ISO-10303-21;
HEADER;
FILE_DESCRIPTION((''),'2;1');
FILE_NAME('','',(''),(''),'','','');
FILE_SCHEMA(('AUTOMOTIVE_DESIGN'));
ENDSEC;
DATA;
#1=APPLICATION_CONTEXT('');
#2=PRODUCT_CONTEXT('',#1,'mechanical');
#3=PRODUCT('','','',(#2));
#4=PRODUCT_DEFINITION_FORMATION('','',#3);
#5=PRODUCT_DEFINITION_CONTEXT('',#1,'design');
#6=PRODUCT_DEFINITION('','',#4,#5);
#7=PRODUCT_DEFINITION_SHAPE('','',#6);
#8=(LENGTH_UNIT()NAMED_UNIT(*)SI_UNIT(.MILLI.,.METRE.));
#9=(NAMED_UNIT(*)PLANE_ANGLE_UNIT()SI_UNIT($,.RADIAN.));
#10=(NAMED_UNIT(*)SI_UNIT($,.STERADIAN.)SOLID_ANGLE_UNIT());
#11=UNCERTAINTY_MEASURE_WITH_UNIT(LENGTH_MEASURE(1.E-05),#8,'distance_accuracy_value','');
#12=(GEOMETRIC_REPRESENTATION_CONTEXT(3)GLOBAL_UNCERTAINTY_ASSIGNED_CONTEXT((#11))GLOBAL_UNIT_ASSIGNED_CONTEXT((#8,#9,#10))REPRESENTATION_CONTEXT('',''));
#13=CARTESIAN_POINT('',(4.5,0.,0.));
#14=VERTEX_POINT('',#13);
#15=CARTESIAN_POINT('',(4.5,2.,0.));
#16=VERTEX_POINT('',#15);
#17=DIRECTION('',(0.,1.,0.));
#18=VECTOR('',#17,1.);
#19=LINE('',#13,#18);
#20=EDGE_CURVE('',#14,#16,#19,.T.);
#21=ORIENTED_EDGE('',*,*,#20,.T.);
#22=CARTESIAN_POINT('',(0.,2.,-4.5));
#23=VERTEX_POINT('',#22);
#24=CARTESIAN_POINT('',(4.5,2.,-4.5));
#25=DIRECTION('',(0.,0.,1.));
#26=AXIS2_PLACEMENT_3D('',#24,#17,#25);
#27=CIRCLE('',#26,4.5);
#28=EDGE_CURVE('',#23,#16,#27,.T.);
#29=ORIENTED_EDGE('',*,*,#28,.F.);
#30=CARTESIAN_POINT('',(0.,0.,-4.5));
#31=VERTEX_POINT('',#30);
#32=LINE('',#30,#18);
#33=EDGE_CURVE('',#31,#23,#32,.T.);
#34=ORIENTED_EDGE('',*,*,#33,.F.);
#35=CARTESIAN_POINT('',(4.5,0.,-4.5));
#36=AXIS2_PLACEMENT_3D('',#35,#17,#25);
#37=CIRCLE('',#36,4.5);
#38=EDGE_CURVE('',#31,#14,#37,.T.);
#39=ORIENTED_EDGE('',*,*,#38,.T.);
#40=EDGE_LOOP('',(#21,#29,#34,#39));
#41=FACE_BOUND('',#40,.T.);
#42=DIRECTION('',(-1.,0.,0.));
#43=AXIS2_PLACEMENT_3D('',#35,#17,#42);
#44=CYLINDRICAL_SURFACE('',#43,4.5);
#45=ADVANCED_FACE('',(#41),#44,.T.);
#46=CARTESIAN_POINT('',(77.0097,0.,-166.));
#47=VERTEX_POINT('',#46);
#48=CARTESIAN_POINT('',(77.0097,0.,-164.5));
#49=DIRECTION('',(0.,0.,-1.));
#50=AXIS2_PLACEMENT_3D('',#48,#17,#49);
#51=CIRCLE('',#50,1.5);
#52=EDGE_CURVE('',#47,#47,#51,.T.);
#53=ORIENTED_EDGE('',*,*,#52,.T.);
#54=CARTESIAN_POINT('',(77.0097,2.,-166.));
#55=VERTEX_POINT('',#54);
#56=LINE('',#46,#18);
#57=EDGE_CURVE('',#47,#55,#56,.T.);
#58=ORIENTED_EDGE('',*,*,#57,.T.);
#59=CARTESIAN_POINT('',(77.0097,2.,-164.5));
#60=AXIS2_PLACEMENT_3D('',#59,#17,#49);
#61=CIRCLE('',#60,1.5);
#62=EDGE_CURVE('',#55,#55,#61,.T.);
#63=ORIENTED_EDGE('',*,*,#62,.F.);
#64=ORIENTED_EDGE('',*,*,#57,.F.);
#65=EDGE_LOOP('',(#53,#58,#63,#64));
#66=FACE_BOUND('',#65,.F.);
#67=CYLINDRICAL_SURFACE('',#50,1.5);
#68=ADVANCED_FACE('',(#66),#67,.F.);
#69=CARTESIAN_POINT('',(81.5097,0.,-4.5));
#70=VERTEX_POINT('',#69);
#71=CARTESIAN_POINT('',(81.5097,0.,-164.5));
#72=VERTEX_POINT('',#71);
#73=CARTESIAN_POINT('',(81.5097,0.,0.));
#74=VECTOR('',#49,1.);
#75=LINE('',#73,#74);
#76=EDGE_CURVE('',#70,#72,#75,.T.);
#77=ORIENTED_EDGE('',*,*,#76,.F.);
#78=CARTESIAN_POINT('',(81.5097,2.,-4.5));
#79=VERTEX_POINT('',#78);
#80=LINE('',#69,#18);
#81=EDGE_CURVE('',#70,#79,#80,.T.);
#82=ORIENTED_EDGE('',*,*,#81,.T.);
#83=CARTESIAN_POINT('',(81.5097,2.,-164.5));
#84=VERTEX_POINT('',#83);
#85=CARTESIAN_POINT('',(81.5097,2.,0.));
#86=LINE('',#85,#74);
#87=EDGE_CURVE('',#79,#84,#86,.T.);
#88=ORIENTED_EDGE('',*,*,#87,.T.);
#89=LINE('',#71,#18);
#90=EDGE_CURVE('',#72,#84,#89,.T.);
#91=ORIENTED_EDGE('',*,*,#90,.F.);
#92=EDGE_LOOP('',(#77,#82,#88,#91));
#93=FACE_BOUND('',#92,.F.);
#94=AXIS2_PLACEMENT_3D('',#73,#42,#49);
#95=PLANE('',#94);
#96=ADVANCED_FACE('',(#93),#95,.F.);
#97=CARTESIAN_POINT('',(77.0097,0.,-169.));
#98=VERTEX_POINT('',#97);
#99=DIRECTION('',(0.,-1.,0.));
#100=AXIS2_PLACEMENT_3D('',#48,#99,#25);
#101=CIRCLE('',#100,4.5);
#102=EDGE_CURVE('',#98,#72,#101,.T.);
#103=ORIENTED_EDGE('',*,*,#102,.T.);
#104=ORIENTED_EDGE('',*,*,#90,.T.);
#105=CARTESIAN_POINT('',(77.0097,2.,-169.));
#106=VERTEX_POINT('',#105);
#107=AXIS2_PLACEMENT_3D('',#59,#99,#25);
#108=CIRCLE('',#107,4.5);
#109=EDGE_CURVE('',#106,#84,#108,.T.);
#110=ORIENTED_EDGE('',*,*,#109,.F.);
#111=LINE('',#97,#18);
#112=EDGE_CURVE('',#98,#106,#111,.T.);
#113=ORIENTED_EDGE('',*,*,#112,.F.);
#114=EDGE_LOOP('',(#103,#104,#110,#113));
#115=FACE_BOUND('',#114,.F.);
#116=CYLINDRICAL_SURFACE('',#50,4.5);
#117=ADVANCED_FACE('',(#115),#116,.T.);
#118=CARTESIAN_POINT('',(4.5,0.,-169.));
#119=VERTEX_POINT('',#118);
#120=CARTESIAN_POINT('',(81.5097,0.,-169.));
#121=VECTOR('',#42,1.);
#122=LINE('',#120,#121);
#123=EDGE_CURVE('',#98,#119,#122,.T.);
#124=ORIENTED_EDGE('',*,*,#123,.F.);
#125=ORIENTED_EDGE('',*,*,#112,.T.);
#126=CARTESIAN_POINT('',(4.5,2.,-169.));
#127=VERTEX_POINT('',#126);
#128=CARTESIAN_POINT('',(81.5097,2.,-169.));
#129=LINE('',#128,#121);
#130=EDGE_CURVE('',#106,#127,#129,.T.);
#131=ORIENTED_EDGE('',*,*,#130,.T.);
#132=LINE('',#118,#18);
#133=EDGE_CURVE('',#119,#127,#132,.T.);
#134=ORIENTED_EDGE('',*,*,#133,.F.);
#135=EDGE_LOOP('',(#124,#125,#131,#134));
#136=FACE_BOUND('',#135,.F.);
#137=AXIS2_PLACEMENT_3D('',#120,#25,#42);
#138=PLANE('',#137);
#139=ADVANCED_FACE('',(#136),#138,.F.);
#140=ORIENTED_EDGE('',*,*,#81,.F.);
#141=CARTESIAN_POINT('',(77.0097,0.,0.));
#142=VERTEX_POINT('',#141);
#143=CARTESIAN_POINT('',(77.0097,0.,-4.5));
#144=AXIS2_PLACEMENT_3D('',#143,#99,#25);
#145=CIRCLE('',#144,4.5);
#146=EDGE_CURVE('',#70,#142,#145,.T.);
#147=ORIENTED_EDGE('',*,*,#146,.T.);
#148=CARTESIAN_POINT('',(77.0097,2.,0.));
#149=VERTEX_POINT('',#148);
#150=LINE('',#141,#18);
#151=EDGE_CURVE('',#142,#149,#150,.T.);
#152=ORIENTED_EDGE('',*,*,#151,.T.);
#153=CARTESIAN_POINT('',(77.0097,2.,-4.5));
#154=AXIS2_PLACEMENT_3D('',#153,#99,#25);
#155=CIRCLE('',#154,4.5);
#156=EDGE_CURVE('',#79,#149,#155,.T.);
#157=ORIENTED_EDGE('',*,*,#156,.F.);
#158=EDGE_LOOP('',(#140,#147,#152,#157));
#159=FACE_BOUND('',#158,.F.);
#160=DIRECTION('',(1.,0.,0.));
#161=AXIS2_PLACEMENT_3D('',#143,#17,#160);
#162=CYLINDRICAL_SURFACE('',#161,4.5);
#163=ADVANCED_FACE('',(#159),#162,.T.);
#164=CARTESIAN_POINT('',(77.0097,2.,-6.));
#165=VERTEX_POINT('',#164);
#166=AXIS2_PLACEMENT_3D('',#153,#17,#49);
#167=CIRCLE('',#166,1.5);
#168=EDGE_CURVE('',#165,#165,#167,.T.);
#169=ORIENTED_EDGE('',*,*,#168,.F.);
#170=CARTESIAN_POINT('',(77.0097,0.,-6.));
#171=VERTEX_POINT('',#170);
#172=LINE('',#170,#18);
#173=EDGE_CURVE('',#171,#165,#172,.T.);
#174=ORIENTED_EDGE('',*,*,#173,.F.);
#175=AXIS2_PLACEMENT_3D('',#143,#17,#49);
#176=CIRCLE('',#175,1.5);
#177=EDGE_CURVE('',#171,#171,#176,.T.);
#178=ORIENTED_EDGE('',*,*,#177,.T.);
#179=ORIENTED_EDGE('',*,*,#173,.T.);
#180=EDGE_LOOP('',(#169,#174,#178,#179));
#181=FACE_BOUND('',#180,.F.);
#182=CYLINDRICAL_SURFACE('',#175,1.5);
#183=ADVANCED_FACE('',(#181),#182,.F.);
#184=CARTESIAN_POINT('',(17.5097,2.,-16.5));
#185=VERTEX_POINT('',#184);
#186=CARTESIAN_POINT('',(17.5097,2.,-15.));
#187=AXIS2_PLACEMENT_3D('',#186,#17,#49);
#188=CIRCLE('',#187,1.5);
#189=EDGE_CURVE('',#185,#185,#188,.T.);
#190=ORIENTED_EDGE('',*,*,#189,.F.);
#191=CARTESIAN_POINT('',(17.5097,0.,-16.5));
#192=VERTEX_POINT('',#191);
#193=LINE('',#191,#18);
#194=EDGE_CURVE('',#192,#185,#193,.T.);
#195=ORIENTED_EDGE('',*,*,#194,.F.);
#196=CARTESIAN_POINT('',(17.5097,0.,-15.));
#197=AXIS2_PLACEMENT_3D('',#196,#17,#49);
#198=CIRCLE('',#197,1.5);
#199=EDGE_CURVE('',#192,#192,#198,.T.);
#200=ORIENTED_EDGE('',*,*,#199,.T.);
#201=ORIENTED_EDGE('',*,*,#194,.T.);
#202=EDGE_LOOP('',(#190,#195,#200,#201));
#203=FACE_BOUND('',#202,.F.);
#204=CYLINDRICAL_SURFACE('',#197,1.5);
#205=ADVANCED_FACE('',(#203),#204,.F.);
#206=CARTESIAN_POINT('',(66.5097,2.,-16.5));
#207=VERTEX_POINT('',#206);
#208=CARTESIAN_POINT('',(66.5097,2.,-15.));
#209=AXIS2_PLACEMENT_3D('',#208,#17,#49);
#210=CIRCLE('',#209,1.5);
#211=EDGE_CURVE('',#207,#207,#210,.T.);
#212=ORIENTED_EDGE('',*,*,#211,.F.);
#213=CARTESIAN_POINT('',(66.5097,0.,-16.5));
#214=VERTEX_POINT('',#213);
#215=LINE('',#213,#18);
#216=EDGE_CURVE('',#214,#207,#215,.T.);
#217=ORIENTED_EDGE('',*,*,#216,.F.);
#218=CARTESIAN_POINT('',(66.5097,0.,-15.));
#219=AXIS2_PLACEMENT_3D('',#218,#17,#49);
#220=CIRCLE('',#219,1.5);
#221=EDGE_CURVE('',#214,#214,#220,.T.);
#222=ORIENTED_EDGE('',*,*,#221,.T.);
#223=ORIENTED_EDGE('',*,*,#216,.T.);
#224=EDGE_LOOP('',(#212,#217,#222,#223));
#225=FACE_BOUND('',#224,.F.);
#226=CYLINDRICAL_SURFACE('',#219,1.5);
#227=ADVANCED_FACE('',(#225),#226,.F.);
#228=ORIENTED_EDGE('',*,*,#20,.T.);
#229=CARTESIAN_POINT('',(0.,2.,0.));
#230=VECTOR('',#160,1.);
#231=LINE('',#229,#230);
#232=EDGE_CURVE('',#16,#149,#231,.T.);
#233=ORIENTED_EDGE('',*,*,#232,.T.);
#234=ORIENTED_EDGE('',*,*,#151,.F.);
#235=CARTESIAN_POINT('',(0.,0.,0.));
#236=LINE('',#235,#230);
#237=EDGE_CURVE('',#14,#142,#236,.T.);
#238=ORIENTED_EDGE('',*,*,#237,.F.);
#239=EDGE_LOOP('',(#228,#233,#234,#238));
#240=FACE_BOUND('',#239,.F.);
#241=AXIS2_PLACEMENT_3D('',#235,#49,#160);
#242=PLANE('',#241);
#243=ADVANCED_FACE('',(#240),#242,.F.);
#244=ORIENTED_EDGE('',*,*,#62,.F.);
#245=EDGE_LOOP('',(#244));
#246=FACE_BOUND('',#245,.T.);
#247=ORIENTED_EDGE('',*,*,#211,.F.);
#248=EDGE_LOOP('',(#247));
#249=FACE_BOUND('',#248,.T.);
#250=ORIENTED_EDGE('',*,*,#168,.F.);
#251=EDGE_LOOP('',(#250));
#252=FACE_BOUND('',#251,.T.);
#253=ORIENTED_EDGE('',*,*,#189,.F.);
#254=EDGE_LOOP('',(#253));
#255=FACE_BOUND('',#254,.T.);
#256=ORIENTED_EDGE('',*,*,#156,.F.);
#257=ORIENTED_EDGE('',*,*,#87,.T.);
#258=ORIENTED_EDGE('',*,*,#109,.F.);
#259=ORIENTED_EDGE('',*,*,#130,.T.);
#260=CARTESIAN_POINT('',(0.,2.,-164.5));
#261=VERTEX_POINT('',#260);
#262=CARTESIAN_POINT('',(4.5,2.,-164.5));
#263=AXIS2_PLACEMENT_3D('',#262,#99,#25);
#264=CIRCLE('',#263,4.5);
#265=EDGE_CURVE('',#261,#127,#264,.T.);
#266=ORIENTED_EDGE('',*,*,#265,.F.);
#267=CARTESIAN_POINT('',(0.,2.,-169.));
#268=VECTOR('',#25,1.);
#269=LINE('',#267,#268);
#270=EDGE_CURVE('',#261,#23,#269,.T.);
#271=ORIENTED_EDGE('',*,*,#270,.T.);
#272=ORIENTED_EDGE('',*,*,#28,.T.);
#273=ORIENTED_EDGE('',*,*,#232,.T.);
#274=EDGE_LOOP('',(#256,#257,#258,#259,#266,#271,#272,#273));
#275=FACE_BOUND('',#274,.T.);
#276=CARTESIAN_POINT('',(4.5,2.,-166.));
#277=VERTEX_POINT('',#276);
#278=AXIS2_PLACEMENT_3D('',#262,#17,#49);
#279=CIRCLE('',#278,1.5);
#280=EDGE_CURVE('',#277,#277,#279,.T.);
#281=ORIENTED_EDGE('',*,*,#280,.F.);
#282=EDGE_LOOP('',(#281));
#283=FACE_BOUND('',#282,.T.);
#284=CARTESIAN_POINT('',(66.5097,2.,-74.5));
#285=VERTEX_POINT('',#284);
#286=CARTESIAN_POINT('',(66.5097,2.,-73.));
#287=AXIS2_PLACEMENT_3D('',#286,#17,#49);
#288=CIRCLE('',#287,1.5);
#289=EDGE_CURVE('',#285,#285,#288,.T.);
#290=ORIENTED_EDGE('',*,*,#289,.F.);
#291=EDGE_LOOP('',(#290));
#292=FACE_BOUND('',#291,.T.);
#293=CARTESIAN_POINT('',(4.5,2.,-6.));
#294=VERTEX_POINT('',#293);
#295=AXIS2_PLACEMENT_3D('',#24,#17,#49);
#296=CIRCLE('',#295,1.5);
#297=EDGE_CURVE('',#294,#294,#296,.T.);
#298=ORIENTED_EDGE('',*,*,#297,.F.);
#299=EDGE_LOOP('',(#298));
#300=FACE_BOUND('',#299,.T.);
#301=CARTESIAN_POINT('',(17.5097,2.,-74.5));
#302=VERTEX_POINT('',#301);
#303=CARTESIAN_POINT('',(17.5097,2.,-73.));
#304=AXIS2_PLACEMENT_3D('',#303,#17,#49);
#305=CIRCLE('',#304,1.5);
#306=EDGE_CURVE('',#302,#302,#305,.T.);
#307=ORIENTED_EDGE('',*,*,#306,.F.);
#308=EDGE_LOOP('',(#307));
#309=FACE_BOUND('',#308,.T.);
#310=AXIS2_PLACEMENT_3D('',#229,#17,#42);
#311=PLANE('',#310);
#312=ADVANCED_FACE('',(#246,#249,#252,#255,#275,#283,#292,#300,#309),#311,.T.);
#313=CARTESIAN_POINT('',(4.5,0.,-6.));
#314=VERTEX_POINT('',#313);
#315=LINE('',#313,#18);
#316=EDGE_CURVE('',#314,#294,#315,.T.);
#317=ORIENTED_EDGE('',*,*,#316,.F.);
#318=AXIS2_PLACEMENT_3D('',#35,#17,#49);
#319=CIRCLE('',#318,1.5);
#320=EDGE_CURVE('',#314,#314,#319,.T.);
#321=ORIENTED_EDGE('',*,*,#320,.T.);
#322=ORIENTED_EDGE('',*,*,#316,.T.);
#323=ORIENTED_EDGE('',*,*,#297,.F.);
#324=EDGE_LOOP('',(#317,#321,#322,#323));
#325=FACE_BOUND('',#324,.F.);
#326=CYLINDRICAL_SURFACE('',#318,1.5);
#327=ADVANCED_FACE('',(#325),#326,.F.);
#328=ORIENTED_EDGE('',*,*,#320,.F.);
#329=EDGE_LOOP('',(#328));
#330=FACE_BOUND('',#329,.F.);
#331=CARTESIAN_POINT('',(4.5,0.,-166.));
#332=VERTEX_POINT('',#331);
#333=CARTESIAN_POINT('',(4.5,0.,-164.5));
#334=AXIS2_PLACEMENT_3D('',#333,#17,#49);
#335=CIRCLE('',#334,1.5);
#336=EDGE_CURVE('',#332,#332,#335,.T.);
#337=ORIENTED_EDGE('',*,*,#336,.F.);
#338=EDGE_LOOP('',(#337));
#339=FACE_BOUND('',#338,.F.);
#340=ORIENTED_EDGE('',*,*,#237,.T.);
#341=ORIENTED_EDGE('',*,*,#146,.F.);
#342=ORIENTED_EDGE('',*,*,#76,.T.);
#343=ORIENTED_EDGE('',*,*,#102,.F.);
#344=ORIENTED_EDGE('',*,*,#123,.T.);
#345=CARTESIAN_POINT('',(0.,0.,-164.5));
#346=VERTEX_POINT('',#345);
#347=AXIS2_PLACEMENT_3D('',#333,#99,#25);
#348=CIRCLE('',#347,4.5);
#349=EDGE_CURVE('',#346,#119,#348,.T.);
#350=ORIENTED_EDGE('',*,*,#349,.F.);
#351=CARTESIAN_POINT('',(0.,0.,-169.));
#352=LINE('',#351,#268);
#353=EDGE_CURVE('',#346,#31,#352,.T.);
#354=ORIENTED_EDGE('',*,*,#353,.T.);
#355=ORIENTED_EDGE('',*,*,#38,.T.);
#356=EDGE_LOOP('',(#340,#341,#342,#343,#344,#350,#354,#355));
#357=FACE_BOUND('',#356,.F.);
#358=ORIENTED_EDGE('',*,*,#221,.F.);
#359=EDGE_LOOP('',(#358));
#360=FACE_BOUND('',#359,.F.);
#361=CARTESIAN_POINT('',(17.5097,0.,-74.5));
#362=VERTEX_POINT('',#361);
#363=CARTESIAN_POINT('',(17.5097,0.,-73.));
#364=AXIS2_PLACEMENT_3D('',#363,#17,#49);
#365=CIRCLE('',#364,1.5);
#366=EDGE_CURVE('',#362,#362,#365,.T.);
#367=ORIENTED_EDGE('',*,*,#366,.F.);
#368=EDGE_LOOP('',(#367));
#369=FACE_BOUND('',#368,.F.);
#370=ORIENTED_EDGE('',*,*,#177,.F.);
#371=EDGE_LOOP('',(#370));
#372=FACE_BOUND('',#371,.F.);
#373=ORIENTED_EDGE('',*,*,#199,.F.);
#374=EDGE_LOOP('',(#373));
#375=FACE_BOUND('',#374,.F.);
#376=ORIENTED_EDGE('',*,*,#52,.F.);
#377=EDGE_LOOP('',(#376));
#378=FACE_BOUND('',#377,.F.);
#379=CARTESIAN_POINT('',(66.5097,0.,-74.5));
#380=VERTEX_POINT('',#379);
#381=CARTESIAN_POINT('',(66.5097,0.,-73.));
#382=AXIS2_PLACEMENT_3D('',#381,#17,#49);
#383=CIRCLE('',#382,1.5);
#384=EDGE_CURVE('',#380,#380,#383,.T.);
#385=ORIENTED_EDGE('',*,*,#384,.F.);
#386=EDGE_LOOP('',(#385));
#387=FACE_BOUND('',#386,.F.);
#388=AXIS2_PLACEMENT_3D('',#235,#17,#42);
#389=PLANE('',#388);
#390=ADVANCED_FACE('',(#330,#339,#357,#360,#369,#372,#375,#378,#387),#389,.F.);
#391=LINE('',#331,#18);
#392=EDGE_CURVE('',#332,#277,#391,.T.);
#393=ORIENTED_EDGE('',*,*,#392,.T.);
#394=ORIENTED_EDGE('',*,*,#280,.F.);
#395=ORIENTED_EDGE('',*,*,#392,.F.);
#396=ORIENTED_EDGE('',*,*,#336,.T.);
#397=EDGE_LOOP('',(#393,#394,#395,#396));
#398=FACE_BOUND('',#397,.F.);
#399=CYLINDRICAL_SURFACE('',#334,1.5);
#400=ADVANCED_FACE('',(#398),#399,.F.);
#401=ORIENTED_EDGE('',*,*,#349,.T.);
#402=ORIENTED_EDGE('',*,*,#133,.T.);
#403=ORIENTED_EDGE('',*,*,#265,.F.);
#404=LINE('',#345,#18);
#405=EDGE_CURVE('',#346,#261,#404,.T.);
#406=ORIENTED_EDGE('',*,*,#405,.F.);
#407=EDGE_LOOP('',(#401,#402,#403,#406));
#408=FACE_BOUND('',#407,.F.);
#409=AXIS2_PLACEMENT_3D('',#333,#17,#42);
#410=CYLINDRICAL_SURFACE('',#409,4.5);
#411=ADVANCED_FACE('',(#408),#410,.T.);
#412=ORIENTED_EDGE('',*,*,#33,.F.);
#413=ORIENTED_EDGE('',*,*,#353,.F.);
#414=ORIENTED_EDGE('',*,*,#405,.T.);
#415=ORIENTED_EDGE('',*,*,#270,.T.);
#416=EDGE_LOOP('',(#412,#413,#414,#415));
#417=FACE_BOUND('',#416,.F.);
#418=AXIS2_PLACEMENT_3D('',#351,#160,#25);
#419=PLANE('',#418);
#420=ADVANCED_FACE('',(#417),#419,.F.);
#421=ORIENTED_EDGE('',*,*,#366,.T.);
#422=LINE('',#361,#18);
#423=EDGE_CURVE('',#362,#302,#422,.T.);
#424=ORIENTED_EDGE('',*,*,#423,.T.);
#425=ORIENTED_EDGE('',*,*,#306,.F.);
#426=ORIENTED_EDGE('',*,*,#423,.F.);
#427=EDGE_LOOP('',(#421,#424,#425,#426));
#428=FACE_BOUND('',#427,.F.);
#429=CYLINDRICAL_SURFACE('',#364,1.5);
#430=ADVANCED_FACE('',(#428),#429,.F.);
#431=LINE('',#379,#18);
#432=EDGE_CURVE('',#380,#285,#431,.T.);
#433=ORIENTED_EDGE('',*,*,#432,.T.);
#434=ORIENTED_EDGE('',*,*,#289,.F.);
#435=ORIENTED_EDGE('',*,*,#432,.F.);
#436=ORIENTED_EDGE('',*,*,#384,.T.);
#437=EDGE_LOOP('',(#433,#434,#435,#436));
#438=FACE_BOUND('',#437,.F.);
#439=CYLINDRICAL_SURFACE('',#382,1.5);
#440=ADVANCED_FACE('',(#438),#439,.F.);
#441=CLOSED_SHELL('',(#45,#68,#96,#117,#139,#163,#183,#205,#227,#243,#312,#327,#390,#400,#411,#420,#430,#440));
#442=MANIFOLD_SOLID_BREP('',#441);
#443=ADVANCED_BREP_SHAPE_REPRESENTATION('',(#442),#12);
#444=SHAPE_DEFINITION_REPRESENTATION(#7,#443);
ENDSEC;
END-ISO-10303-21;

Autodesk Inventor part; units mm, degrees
ref_plane "YZ Plane" through (0, 0, 0) normal (1, 0, 0) x (0, 1, 0)
ref_plane "XZ Plane" through (0, 0, 0) normal (0, 1, 0) x (-1, 0, 0)
ref_plane "XY Plane" through (0, 0, 0) normal (0, 0, 1) x (1, 0, 0)
sketch "スケッチ1" plane through (0, 0, 0) normal (0, 1, 0) x (-1, 0, 0)
  line L0 (0, 0) -> (-81.5097, 0)
  line L1 (-81.5097, 0) -> (-81.5097, -169)
  line L2 (-81.5097, -169) -> (0, -169)
  line L3 (0, -169) -> (0, 0)
  dimension "d0" = 169
  dimension "d7" = 81.5097
extrude "押し出し1" add sketch "スケッチ1" along normal blind 2
fillet "フィレット1" radius 4.5 4 edges at (81.5097, 1, 0) (0, 1, 0) (81.5097, 1, -169) (0, 1, -169)
sketch "スケッチ3" plane through (0, 0, 0) normal (0, -1, 0) x (1, 0, 0)
  line L0 (81.5097, -4.5) -> (81.5097, -164.5) projected
  line L1 (0, -164.5) -> (0, -4.5) projected
  line L2 (77.0097, -169) -> (4.5, -169) projected
  line L3 (4.5, 0) -> (77.0097, 0) projected
  point P0 (0, 0)
  point P1 (77.0097, -4.5)
  point P2 (77.0097, -164.5)
  point P3 (4.5, -164.5)
  point P4 (4.5, -4.5)
  dimension "d34" = 4.5
  dimension "d35" = 4.5
  dimension "d36" = 4.5
  dimension "d37" = 4.5
  dimension "d38" = 4.5
  dimension "d39" = 4.5
  dimension "d40" = 4.5
  dimension "d41" = 4.5
hole "穴2" at (77.0097, 0, -4.5) at (77.0097, 0, -164.5) at (4.5, 0, -164.5) at (4.5, 0, -4.5) direction (0, 1, 0) diameter 3 end through all
sketch "スケッチ4" plane through (0, 0, 0) normal (0, -1, 0) x (1, 0, 0)
  line L0 (66.5097, -73) -> (17.5097, -73)
  line L1 (17.5097, -73) -> (17.5097, -15)
  line L2 (17.5097, -15) -> (66.5097, -15)
  line L3 (66.5097, -15) -> (66.5097, -73)
  line L4 (81.5097, -4.5) -> (81.5097, -164.5) projected
  line L5 (4.5, 0) -> (77.0097, 0) projected
  point P0 (0, 0)
  dimension "d49" = 49
  dimension "d50" = 58
  dimension "d51" = 15
  dimension "d52" = 15
hole "穴3" at (66.5097, 0, -73) at (17.5097, 0, -73) at (17.5097, 0, -15) at (66.5097, 0, -15) direction (0, 1, 0) diameter 3 end through all
ref_plane "作業平面1" through (81.5097, 2, 0) normal (-1, 0, 0) x (0, 0, -1)
properties part number "ロボット回転_回路ボード1_CPY" material "木材 (カエデ材)"
